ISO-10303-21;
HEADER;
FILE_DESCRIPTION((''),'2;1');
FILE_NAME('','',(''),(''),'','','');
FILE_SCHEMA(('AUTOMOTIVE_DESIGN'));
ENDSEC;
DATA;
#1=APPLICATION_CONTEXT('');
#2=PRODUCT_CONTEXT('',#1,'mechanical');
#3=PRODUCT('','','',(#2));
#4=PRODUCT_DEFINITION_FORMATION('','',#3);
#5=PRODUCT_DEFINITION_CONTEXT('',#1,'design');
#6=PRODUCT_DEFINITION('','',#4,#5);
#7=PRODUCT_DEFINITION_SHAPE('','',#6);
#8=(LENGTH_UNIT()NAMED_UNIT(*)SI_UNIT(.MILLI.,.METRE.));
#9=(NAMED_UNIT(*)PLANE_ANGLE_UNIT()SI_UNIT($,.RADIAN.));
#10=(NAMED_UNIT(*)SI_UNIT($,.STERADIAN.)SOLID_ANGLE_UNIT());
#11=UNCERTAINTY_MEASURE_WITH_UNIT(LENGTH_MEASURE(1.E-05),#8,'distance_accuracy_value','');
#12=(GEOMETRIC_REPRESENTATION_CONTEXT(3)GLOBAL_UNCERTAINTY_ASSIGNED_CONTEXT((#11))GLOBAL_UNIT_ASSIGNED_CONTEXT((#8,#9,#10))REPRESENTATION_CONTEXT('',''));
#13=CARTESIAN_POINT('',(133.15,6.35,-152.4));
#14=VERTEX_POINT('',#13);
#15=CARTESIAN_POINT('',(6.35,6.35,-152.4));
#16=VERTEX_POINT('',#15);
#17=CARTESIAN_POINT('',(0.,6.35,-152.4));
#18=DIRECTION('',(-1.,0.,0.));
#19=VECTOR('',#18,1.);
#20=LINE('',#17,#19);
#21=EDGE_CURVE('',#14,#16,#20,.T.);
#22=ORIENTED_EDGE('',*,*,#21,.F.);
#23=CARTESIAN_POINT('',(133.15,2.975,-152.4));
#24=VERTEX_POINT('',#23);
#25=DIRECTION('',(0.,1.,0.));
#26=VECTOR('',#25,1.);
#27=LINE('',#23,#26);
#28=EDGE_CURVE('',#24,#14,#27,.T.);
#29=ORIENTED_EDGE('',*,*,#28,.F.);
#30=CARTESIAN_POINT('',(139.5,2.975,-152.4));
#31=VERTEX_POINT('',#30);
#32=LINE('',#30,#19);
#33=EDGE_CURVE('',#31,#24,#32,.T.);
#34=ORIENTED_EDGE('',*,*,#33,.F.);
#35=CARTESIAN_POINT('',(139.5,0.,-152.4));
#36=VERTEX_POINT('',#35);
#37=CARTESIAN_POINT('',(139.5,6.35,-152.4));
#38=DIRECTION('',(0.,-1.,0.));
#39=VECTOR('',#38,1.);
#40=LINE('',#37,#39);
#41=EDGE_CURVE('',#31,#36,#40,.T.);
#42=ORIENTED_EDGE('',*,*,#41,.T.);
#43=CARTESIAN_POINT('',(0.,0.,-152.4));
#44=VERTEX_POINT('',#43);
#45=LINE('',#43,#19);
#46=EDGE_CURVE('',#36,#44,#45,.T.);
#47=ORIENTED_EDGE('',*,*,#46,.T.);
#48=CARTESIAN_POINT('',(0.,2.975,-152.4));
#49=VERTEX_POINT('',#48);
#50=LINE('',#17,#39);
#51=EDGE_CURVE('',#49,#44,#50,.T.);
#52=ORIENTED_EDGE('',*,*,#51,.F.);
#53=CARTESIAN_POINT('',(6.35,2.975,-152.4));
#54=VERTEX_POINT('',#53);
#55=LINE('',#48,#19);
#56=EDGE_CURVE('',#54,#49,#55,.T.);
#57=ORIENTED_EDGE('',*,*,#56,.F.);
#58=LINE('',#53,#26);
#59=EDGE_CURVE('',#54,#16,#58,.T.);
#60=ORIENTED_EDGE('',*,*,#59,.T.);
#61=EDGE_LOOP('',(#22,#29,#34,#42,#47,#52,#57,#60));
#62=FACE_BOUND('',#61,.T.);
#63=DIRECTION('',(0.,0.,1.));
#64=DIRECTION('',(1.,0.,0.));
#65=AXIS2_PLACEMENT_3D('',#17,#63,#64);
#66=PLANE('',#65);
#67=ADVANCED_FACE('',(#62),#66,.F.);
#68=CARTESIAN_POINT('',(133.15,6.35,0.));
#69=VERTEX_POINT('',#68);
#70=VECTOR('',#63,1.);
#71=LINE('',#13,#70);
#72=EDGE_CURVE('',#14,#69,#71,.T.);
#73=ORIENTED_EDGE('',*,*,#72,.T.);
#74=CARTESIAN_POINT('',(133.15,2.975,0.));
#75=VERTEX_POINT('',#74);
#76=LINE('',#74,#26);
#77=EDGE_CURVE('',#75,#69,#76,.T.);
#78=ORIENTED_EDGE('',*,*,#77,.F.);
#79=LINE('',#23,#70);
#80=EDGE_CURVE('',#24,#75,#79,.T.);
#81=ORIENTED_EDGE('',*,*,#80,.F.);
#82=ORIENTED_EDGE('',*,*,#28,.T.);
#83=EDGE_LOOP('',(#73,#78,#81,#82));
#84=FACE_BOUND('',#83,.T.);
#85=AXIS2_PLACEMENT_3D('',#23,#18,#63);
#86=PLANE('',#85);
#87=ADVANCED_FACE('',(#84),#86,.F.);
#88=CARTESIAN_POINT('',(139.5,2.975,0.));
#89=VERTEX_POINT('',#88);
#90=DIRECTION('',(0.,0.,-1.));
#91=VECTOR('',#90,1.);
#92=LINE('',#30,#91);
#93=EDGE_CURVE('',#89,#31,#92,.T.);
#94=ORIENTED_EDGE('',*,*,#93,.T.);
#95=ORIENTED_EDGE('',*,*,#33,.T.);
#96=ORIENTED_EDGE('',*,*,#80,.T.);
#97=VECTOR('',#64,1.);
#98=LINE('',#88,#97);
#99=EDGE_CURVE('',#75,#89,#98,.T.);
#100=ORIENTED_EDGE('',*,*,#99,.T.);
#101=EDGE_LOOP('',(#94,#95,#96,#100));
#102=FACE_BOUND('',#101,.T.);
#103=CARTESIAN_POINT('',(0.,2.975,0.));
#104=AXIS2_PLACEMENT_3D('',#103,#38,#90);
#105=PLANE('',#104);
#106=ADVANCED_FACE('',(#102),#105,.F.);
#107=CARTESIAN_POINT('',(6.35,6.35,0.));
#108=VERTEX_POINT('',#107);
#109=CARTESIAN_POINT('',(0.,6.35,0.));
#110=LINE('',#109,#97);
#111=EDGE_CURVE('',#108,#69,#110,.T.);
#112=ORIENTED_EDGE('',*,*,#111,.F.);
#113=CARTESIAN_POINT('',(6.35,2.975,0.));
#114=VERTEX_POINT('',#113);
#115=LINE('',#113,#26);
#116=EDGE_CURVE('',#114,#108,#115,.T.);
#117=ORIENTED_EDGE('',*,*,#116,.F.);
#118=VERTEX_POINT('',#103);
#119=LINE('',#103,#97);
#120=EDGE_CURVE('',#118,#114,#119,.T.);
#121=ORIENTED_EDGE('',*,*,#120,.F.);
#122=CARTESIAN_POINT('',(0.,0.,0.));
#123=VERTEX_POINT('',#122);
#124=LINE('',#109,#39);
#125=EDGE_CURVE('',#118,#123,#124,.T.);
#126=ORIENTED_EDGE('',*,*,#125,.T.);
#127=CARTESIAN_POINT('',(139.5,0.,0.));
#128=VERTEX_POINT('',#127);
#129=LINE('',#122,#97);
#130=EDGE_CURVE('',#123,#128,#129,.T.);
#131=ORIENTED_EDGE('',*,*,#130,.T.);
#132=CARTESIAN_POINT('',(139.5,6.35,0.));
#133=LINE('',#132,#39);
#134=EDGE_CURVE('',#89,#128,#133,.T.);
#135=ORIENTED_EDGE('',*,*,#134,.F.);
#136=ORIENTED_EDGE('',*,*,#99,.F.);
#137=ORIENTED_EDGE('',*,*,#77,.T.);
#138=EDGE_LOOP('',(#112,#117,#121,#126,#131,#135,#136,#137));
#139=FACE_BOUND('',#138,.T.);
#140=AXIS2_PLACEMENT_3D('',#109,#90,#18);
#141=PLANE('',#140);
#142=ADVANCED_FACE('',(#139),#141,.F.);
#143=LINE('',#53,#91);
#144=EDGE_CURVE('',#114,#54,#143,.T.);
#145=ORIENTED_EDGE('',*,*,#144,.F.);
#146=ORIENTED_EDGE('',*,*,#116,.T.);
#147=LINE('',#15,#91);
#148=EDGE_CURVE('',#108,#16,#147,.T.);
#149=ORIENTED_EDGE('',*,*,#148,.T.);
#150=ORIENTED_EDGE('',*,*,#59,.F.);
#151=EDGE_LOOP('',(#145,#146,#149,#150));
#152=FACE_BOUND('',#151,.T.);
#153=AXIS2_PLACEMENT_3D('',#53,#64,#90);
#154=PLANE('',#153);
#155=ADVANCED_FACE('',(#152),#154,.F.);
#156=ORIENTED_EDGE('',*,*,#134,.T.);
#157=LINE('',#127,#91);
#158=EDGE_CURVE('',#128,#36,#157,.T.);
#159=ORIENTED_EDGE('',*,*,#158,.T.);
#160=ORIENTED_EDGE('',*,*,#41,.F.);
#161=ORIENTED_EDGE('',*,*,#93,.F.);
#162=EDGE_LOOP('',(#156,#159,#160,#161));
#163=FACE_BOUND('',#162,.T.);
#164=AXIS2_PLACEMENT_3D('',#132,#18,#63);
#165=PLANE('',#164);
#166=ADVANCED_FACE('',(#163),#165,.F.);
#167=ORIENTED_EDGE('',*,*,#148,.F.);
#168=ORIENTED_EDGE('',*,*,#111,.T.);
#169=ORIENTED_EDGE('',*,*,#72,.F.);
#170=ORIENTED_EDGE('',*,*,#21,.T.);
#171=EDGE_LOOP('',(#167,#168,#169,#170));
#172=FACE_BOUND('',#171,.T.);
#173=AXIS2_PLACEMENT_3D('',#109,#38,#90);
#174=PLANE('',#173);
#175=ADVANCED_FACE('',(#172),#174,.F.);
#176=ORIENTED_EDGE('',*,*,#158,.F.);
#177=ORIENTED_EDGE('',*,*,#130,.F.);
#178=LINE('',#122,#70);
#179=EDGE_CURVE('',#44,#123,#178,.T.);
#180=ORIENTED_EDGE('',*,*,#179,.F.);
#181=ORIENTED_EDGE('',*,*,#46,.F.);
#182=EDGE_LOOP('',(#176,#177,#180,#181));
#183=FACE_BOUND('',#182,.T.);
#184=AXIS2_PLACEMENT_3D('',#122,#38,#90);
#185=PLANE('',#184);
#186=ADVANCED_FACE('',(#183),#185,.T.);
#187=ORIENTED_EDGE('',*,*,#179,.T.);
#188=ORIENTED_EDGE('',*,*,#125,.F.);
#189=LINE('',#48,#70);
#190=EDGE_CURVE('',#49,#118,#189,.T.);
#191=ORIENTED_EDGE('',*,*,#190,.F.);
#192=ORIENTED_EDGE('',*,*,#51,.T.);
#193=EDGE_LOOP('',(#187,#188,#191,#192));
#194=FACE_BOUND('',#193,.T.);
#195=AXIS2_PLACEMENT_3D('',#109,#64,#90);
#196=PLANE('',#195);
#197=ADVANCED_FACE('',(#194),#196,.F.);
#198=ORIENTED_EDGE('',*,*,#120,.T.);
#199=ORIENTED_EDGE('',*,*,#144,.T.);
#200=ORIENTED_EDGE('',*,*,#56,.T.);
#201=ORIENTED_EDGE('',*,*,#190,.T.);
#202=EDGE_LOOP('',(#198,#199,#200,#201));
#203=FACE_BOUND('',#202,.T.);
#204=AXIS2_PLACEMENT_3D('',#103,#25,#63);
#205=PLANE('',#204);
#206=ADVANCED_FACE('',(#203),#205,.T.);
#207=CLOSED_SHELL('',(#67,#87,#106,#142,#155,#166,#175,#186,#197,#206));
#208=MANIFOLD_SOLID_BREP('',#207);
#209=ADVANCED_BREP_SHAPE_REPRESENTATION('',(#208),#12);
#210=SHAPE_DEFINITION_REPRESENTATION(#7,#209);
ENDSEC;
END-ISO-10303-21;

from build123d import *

# Parameters (mm, degrees)
SKETCH1_W           = 139.5
SKETCH1_H           = 152.4
BOSS_EXTRUDE1_DEPTH = 6.35
SKETCH2_W           = 6.35
SKETCH2_H           = 152.4
CUT_EXTRUDE1_DEPTH  = 3.375


with BuildPart() as part:
    # Sketch1 → Boss-Extrude1 (new body)
    with BuildSketch(Plane(origin=(0, 0, 0), x_dir=(1, 0, 0), z_dir=(0, 1, 0))):
        with Locations((69.75, 76.2)):
            Rectangle(SKETCH1_W, SKETCH1_H)
    extrude(amount=BOSS_EXTRUDE1_DEPTH)

    # Sketch2 → Cut-Extrude1 (cut)
    with BuildSketch(Plane(origin=(0, 6.35, 0), x_dir=(1, 0, 0), z_dir=(0, 1, 0))):
        with Locations((3.175, 76.2)):
            Rectangle(SKETCH2_W, SKETCH2_H)
        with Locations((136.325, 76.2)):
            Rectangle(SKETCH2_W, SKETCH2_H)
    extrude(amount=-CUT_EXTRUDE1_DEPTH, mode=Mode.SUBTRACT)


solid = part.part
